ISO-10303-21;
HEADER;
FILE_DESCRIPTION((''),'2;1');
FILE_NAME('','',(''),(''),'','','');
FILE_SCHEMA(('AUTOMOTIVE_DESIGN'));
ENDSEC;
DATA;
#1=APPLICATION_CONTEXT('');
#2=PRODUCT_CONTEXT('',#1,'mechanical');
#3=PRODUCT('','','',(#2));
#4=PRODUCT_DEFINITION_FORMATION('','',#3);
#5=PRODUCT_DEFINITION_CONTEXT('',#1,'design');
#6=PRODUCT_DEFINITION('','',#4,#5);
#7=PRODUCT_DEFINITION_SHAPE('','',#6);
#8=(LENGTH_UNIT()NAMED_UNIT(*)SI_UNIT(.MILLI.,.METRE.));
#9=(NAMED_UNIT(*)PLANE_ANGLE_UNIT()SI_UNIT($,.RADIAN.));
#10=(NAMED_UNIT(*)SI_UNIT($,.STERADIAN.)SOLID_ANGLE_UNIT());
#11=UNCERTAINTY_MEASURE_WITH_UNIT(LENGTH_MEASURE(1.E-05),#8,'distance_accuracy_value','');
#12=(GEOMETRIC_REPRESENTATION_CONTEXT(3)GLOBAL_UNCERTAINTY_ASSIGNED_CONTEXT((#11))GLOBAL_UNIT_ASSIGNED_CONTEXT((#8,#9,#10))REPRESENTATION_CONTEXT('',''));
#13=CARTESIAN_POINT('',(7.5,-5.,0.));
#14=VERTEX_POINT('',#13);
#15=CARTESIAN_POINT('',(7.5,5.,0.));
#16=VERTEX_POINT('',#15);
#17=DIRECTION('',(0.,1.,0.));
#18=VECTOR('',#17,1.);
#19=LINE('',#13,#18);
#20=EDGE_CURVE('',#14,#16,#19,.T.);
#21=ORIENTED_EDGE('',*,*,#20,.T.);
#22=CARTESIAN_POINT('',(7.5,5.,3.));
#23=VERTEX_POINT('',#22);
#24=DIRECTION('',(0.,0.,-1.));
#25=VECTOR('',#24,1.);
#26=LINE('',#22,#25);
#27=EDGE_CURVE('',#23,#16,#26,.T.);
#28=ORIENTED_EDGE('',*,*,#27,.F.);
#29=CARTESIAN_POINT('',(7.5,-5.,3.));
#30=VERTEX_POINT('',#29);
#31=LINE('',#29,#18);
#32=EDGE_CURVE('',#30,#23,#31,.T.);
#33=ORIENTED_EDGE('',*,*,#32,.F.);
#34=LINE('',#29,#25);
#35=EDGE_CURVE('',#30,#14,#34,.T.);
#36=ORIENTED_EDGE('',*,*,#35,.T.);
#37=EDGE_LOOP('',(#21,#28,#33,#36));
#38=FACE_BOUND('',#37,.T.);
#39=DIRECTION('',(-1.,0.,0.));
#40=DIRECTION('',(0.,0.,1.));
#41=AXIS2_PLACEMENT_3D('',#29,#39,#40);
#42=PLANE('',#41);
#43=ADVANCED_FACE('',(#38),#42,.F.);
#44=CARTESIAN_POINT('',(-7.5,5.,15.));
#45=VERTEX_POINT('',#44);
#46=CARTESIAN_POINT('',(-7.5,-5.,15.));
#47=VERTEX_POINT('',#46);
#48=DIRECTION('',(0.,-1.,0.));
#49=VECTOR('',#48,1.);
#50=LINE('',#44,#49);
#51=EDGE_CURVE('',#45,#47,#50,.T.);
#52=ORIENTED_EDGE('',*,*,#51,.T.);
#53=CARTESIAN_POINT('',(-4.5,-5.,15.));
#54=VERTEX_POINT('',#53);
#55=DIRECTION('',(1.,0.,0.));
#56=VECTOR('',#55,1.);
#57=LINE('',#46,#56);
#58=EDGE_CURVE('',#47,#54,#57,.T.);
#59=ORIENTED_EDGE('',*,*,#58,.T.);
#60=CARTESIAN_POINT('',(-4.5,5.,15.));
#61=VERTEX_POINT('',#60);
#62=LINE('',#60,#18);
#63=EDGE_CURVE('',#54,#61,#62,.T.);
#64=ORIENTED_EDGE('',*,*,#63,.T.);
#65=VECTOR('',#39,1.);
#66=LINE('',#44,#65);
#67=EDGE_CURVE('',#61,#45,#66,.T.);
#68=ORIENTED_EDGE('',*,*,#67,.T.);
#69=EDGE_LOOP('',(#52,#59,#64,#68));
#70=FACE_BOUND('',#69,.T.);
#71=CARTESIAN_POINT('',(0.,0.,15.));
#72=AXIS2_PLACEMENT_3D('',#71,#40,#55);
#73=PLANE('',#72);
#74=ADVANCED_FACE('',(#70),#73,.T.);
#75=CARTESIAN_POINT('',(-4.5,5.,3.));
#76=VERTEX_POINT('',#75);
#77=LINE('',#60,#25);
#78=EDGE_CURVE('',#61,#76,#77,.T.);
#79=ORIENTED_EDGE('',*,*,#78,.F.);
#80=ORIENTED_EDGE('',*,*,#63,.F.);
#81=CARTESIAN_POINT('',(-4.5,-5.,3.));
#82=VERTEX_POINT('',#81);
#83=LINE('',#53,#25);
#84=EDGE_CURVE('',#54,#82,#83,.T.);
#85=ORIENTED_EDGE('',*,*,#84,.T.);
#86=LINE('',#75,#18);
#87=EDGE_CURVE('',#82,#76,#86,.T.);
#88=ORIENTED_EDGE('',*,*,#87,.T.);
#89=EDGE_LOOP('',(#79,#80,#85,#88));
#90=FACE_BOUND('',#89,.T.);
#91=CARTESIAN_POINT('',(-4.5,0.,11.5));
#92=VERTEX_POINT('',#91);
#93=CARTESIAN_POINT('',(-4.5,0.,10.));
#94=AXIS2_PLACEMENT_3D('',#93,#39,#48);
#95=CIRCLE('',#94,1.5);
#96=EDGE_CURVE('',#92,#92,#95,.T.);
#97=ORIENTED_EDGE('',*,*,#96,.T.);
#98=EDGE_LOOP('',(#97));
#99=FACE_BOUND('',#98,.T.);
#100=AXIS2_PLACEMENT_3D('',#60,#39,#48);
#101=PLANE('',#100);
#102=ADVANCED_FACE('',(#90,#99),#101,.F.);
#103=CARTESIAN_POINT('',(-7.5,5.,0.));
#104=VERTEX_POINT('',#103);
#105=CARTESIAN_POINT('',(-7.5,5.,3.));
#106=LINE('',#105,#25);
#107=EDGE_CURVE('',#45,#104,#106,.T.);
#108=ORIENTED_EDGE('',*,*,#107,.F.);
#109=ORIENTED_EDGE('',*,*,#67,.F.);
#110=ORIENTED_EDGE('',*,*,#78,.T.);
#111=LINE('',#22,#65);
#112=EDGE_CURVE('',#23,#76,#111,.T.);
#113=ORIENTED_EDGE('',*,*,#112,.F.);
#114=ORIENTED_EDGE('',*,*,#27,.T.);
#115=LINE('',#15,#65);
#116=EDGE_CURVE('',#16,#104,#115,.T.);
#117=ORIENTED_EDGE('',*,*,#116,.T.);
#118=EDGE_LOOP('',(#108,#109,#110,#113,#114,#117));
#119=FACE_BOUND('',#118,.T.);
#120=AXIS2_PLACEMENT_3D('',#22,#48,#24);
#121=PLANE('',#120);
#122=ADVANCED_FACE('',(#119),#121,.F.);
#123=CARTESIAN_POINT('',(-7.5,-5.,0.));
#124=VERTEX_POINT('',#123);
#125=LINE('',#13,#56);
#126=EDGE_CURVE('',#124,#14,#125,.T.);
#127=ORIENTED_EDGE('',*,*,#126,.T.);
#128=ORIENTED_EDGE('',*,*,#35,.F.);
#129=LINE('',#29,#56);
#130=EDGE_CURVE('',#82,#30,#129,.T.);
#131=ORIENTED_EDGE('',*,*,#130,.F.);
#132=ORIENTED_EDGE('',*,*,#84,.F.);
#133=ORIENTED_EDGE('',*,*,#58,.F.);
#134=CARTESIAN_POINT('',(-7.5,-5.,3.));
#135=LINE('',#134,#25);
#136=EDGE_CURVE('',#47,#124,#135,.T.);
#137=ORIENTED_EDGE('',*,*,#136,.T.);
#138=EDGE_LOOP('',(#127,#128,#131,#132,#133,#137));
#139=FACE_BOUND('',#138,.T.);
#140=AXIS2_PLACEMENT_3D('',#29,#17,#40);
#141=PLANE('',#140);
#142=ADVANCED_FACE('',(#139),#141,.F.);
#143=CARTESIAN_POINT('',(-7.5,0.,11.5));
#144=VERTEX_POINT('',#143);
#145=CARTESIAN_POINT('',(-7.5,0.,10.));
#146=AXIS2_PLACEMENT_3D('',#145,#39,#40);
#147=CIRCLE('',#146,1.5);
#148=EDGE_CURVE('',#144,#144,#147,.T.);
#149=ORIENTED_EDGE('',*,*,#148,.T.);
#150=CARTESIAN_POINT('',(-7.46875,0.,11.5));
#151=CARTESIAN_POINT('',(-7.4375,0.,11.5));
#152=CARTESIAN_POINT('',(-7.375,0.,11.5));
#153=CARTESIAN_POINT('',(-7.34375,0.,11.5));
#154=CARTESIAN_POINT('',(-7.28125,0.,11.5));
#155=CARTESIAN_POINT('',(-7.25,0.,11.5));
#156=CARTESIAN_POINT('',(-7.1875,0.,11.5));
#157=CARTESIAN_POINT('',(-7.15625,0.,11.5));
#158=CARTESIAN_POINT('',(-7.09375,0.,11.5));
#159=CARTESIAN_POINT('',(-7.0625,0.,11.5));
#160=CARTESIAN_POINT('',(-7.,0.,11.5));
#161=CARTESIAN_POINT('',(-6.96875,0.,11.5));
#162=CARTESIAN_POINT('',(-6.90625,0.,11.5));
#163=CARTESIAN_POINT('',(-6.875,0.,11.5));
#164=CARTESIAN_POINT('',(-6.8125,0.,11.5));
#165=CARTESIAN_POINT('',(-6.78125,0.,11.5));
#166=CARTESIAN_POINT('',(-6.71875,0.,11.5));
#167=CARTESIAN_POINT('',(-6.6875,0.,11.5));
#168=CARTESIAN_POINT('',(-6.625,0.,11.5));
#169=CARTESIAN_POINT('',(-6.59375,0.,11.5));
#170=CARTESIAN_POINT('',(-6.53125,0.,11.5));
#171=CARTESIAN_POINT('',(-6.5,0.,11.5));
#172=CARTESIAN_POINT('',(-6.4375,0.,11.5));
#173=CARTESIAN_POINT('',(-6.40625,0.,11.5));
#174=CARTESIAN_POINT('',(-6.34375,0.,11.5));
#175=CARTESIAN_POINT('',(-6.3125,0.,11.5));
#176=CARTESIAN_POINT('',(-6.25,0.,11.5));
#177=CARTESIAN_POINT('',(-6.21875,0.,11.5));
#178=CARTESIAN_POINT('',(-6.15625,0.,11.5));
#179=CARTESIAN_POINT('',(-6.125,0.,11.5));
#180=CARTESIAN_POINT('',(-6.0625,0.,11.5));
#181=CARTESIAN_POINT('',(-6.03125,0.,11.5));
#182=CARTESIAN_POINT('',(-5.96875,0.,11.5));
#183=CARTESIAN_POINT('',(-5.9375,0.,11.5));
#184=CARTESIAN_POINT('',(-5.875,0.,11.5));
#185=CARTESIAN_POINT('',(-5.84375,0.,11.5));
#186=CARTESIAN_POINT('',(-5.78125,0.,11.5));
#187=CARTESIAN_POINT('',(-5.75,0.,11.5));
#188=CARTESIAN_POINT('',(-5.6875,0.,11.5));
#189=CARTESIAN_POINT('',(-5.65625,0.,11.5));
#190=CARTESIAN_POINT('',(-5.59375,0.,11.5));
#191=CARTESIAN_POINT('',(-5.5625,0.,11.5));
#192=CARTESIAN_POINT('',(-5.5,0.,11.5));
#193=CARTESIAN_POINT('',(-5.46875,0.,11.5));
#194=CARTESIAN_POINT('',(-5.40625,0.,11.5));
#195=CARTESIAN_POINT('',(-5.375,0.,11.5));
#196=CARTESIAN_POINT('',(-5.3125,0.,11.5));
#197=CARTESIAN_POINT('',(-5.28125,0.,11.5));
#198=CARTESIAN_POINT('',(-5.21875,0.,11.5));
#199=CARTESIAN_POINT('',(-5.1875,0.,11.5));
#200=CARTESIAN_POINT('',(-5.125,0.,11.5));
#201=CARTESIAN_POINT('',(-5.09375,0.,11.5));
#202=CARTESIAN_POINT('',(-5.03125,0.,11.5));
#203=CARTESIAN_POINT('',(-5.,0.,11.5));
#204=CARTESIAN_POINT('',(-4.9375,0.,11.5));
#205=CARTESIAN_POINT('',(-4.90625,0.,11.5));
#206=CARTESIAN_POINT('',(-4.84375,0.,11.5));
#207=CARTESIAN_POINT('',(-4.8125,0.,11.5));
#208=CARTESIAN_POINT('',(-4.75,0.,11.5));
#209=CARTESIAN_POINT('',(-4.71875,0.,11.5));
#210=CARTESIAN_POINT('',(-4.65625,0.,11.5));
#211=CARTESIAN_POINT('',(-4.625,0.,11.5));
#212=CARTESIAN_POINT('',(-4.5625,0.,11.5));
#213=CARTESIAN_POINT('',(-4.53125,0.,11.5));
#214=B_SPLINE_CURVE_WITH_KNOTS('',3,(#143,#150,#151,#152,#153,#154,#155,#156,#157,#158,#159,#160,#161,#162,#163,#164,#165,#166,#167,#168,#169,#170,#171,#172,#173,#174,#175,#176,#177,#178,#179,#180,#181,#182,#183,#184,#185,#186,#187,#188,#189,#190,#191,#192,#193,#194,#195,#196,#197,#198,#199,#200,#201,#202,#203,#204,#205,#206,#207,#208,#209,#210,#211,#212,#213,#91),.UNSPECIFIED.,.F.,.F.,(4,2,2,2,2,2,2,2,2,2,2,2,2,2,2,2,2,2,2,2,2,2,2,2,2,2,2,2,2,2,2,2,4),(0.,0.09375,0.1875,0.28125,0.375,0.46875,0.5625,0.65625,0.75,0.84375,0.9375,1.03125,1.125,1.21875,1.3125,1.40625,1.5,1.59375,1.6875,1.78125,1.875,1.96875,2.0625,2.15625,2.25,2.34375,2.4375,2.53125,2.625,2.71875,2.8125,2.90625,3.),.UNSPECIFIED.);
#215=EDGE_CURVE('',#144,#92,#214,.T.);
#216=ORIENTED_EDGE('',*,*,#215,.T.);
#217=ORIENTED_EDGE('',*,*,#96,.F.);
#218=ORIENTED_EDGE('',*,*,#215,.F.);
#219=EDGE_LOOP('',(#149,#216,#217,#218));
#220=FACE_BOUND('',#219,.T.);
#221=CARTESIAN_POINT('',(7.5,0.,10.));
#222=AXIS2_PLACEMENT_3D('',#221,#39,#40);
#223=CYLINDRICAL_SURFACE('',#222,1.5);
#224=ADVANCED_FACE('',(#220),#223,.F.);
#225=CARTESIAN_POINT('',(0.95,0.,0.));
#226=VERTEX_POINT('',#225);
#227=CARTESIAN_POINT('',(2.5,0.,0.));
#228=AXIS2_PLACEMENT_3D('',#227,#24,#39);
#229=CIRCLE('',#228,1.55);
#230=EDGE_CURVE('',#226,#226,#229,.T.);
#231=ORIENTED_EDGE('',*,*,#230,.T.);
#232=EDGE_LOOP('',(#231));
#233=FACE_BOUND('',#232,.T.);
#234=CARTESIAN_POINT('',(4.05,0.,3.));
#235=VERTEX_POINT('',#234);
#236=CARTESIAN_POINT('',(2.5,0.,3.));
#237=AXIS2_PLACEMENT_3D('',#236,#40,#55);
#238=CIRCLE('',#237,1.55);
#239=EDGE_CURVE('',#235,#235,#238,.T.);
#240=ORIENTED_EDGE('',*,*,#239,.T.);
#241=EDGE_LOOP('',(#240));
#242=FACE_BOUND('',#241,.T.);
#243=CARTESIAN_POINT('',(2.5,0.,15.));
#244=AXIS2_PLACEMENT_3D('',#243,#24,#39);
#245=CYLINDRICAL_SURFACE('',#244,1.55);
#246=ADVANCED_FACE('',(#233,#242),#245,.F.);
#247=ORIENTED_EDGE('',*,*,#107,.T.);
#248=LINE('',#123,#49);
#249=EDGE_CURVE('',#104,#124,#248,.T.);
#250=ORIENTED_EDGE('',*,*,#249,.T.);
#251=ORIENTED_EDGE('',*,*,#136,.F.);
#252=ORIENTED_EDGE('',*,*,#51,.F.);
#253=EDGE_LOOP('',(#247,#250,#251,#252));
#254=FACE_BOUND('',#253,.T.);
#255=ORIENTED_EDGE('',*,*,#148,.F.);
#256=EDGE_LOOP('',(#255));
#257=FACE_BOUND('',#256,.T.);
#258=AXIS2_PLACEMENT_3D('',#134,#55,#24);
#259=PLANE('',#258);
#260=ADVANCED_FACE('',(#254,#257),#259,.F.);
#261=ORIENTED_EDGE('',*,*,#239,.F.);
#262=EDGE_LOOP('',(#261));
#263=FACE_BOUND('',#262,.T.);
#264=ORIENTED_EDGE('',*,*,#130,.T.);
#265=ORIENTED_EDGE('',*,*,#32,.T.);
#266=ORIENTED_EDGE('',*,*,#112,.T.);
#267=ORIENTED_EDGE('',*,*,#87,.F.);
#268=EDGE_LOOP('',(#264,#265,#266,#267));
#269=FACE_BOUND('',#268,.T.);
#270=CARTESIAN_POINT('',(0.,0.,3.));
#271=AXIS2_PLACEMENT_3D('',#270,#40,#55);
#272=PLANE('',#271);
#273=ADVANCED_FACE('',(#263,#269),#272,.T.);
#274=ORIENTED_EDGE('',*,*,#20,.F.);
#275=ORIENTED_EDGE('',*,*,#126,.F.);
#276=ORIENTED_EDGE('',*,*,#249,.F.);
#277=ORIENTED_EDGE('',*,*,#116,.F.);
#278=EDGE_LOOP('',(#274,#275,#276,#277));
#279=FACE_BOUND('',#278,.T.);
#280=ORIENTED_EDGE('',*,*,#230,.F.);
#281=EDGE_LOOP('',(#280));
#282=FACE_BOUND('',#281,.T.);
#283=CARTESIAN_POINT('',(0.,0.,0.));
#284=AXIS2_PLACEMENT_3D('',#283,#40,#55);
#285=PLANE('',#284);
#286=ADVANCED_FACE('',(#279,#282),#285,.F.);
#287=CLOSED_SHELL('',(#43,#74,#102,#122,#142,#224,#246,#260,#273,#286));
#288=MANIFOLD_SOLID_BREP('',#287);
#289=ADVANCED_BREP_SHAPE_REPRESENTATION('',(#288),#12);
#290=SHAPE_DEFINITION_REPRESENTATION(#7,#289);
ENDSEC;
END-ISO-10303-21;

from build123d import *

# Parameters (mm, degrees)
SKETCH_1_W          = 15
SKETCH_1_H          = 10
EXTRUDE_1_DEPTH     = 3
SKETCH_2_W          = 3
SKETCH_2_H          = 10
EXTRUDE_2_DEPTH     = 12
SKETCH_3_R          = 1.55
CUT_EXTRUDE_1_DEPTH = 18.5
SKETCH_4_R          = 1.5
CUT_EXTRUDE_2_DEPTH = 22.794494718


with BuildPart() as part:
    # 草图1 → 凸台-拉伸1 (new body)
    with BuildSketch(Plane.XY):
        Rectangle(SKETCH_1_W, SKETCH_1_H)
    extrude(amount=EXTRUDE_1_DEPTH)

    # 草图2 → 凸台-拉伸2 (add)
    with BuildSketch(Plane.XY.offset(3)):
        with Locations((-6, 0)):
            Rectangle(SKETCH_2_W, SKETCH_2_H)
    extrude(amount=EXTRUDE_2_DEPTH)

    # 草图3 → 切除-拉伸1 (cut, through all)
    with BuildSketch(Plane(origin=(0, 0, 0), x_dir=(-1, 0, 0), z_dir=(0, 0, -1))):
        with Locations((-2.5, 0)):
            Circle(SKETCH_3_R)
    extrude(amount=-CUT_EXTRUDE_1_DEPTH, mode=Mode.SUBTRACT)

    # 草图4 → 切除-拉伸2 (cut, through all)
    with BuildSketch(Plane.ZY.offset(7.5)):
        with Locations((10, 0)):
            Circle(SKETCH_4_R)
    extrude(amount=-CUT_EXTRUDE_2_DEPTH, mode=Mode.SUBTRACT)


solid = part.part
